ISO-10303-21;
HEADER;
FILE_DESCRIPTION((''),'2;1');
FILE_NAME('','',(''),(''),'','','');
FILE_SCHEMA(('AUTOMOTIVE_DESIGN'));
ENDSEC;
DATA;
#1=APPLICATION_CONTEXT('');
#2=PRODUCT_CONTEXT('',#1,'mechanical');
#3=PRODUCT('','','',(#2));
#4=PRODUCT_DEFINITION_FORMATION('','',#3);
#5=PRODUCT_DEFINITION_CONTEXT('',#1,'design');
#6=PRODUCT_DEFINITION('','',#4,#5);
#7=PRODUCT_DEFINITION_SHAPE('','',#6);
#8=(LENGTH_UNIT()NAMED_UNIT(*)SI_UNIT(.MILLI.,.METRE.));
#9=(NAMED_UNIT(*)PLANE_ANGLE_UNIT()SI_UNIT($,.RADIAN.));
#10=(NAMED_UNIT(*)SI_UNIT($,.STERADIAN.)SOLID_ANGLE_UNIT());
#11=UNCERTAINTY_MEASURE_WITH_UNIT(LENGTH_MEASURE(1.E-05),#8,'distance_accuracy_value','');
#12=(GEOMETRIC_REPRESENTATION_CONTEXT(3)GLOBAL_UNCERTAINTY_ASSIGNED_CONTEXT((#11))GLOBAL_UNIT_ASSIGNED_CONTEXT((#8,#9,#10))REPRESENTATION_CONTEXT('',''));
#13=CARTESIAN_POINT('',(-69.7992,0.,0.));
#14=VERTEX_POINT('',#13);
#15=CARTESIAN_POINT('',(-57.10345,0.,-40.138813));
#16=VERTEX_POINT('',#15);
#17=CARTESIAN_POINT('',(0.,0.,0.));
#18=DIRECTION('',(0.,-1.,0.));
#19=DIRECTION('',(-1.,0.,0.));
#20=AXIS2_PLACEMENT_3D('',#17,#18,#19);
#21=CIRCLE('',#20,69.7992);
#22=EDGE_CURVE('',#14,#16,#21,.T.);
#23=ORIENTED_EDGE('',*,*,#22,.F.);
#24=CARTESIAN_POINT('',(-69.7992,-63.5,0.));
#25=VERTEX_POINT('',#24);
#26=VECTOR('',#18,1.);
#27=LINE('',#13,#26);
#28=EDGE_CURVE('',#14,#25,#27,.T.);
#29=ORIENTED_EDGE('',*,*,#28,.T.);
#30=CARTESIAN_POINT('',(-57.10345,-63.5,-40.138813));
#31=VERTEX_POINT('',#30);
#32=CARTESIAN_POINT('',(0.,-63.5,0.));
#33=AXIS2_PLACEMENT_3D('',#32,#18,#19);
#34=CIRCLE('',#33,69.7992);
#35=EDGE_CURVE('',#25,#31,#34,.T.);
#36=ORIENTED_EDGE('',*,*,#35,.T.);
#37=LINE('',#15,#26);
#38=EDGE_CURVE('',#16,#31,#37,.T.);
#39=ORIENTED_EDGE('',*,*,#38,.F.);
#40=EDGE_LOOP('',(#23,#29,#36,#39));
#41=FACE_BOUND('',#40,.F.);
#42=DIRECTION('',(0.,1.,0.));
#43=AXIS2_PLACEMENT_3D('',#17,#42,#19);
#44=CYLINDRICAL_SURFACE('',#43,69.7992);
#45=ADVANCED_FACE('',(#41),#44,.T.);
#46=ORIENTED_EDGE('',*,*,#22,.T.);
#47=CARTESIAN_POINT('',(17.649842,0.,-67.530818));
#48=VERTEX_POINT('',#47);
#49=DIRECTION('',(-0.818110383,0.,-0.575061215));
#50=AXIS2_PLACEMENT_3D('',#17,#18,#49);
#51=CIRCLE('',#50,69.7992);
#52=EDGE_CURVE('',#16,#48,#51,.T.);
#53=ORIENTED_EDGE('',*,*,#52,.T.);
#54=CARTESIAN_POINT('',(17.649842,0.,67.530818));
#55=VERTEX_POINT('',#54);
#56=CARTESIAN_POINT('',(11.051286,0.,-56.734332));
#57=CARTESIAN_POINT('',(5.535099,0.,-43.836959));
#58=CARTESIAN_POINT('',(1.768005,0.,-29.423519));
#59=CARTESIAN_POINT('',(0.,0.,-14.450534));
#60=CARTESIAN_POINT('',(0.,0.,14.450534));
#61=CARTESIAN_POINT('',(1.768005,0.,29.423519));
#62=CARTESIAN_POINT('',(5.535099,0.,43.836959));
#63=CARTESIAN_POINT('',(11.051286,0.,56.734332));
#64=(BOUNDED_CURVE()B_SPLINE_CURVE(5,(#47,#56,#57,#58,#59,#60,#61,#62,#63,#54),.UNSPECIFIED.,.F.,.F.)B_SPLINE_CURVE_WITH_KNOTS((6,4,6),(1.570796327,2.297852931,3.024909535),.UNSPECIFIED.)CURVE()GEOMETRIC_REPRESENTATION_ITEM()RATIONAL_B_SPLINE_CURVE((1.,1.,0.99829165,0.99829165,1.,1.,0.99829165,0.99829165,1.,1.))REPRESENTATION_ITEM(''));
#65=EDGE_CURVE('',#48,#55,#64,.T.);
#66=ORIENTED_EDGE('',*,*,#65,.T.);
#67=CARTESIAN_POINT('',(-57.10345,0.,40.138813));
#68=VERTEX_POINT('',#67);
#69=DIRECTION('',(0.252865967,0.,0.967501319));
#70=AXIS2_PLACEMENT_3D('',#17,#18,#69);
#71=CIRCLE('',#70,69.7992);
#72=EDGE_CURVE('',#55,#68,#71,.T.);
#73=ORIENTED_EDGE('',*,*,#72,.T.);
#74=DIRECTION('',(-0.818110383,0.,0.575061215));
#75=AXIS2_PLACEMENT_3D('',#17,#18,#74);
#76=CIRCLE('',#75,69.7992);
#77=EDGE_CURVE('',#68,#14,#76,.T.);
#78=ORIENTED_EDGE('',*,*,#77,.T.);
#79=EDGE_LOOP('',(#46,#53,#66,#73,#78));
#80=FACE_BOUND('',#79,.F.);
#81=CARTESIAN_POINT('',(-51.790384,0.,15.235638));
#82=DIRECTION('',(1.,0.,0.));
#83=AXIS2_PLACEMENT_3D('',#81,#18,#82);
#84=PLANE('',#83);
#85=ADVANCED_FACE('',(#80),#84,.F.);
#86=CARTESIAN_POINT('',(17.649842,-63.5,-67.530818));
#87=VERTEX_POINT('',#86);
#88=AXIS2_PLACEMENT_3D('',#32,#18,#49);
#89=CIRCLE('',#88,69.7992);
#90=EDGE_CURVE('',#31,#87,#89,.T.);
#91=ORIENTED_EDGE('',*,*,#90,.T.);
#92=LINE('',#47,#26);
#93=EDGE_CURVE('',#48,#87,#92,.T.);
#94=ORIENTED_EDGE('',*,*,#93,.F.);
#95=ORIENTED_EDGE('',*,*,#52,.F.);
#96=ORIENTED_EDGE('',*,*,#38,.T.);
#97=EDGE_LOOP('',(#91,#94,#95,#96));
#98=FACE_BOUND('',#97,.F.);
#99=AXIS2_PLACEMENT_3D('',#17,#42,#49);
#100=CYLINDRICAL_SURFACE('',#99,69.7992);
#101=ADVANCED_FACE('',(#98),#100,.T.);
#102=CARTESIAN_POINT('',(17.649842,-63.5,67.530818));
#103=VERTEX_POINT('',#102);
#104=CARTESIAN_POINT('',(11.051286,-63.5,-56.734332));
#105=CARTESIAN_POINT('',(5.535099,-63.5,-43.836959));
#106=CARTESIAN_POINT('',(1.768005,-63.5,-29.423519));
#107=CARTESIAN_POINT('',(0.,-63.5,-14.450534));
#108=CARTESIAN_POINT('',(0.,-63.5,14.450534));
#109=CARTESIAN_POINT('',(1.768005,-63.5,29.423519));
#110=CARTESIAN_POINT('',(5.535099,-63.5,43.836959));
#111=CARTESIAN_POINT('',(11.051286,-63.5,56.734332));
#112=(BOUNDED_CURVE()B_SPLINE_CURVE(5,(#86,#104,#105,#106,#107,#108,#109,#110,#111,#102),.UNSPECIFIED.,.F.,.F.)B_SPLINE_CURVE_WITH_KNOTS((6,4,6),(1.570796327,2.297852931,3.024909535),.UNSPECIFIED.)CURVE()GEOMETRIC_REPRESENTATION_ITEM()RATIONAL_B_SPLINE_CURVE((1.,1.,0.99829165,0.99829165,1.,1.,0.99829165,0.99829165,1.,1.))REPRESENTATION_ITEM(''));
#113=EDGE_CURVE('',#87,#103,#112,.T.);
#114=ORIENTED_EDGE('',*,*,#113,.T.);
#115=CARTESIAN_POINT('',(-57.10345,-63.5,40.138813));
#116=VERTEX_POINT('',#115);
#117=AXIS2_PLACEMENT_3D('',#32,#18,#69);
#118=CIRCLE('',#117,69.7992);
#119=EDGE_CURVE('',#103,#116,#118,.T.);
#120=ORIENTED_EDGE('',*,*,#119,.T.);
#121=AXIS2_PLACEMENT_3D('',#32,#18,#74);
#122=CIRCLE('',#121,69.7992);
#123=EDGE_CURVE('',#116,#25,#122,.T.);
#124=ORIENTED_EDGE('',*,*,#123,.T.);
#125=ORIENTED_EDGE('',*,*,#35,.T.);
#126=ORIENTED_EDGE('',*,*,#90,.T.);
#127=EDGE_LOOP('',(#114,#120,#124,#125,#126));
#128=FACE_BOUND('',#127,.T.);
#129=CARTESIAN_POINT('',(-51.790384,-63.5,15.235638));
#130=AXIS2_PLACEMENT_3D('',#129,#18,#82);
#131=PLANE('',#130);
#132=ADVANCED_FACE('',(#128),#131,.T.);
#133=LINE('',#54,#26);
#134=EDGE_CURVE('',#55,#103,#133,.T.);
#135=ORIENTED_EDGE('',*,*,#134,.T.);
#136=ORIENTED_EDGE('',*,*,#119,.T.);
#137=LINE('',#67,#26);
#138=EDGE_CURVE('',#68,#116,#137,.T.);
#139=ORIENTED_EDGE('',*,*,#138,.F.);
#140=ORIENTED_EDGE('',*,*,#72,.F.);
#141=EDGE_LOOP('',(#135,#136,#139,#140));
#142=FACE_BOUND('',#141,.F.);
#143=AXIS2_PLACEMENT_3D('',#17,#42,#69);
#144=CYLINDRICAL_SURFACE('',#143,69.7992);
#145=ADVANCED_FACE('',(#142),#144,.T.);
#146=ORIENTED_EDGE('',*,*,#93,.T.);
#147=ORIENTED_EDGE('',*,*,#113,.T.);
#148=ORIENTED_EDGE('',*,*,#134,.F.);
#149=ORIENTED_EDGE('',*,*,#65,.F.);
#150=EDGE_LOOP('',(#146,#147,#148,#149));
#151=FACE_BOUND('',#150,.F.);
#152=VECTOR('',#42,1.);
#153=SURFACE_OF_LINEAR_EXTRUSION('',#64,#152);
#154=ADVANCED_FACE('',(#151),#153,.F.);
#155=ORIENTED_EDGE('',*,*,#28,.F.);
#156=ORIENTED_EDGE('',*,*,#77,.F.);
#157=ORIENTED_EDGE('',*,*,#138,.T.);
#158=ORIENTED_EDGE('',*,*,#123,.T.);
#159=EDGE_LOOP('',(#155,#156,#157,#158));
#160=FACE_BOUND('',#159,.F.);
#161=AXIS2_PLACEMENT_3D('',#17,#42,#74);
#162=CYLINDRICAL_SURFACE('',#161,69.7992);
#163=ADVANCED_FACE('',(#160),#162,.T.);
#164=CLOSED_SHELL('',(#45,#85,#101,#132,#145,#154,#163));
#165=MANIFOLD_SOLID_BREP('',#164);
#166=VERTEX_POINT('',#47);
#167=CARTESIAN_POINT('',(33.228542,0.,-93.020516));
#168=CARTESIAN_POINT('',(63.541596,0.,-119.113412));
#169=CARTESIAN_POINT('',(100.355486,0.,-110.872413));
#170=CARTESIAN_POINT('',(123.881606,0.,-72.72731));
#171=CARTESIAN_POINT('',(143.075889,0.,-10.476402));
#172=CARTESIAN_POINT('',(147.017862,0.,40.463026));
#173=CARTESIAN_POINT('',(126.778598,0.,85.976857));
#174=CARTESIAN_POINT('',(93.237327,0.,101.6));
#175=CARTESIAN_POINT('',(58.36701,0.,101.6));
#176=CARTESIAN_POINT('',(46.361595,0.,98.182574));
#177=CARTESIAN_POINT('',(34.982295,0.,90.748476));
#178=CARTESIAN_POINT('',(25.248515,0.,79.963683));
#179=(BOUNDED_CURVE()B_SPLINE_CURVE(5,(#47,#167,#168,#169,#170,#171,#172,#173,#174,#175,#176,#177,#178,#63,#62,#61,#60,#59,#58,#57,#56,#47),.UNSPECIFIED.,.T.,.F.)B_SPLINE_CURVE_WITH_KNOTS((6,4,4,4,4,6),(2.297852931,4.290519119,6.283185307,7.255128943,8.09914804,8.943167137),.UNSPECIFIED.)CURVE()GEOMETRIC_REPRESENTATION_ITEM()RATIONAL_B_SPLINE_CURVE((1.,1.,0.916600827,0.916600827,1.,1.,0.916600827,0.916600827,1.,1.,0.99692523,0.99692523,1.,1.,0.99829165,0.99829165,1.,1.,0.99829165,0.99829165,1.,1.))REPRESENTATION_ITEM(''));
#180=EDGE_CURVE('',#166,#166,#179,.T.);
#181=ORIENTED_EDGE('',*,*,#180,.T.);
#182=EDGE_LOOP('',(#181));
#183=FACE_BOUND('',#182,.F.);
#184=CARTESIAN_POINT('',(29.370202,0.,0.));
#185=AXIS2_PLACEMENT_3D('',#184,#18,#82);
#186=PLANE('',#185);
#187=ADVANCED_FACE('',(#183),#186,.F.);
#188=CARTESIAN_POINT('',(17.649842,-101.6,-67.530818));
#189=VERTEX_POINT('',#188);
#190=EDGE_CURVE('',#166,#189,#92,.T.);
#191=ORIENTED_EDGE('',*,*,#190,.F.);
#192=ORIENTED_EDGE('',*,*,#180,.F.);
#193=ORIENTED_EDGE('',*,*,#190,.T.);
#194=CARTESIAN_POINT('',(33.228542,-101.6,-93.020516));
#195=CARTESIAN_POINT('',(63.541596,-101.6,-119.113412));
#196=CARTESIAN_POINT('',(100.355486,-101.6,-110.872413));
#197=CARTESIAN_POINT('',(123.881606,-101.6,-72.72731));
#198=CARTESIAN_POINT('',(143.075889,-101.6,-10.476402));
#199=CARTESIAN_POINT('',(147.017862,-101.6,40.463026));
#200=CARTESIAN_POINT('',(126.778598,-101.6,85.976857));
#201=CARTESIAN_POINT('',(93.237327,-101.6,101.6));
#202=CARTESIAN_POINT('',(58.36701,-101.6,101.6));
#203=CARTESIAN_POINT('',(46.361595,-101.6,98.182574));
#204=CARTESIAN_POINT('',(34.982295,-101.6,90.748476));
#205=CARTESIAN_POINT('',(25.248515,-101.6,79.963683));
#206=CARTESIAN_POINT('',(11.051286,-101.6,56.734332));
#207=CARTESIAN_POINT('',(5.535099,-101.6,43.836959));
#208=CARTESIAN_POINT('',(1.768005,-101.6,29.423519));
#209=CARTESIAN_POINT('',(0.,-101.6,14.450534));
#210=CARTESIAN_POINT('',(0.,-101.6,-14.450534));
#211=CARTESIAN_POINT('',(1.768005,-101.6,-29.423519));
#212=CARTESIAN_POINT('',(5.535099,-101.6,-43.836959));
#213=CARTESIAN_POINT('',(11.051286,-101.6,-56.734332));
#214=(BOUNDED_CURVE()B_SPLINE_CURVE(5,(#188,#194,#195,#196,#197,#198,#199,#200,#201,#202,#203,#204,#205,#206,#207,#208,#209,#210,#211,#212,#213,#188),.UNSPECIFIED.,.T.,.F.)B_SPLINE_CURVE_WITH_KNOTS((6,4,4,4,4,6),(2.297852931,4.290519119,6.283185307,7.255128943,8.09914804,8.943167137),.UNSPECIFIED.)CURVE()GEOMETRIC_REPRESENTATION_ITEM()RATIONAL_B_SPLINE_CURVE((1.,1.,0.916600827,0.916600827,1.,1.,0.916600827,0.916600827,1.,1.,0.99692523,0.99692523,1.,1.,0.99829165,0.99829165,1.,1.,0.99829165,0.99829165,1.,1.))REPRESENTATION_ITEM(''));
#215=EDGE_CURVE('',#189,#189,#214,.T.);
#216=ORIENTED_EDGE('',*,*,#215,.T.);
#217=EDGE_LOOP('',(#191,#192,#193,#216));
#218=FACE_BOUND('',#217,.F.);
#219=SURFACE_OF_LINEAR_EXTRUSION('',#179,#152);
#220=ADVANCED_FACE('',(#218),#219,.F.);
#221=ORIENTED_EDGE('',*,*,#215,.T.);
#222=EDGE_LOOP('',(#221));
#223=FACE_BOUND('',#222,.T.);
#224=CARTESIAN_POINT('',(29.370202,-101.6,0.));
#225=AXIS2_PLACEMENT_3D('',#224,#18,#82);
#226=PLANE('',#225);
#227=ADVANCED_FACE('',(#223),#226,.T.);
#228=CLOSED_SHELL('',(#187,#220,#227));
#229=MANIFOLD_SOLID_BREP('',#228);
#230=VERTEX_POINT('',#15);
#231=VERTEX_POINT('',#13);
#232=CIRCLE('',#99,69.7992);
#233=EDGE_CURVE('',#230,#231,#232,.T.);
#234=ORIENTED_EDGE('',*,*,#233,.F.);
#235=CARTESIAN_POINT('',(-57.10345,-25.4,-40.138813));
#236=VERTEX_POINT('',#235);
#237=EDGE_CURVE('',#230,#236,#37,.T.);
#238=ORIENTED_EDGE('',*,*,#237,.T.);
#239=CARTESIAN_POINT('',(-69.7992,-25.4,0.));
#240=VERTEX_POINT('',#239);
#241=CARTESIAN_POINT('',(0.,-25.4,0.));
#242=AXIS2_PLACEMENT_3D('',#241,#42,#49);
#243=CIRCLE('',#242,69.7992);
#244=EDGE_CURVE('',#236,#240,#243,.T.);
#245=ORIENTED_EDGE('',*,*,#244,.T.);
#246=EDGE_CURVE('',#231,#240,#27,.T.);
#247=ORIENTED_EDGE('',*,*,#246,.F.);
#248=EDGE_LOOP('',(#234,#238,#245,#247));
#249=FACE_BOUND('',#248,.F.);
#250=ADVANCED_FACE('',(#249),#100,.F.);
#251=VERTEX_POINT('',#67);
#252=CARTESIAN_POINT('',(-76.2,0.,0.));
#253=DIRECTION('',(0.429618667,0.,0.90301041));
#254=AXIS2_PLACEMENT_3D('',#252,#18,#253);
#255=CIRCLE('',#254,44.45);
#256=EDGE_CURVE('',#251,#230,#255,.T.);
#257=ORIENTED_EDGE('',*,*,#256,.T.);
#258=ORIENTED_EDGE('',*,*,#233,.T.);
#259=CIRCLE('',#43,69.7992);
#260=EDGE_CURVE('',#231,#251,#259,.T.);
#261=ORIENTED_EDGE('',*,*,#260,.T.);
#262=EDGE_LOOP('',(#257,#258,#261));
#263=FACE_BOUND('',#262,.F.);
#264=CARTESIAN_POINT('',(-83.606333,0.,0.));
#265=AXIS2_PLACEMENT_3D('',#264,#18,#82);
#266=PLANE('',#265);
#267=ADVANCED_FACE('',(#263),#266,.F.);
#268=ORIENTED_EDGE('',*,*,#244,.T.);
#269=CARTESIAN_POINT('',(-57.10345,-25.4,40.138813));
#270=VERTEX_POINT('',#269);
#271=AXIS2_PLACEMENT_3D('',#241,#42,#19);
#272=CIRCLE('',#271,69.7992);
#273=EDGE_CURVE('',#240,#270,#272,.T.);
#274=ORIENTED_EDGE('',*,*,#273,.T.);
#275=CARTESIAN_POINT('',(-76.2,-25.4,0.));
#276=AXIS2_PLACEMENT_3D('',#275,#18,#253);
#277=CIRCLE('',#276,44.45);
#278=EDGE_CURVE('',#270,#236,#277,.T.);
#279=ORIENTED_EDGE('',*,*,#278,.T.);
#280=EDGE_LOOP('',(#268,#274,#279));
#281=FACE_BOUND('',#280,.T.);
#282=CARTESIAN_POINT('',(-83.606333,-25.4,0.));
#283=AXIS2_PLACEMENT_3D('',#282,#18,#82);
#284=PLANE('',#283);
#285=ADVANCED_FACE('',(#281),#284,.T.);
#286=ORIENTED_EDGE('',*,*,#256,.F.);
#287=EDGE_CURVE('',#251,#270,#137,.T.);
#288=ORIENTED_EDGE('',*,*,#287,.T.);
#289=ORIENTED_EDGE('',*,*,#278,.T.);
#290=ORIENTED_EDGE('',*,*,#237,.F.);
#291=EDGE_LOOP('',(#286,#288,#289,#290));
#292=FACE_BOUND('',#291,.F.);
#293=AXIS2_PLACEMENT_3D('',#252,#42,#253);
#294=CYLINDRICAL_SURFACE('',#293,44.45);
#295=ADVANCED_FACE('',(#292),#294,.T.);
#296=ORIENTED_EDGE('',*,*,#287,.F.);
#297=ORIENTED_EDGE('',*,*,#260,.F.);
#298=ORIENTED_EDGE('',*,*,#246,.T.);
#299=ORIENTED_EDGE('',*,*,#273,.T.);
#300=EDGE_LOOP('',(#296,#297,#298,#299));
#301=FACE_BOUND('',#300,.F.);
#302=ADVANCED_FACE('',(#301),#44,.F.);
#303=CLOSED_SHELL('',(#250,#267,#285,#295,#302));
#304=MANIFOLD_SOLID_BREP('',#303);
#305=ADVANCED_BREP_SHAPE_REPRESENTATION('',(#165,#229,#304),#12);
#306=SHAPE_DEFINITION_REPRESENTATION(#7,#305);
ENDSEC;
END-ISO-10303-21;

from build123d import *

# Parameters (mm, degrees)
F1_DEPTH = 25.4
F2_DEPTH = 63.5
F3_DEPTH = 101.6


with BuildPart() as f1:
    # F0 (on Front) → F1 (new body)
    with BuildSketch(Plane.XZ):
        with BuildLine():
            ThreePointArc((-57.1034502667, -40.1388127413), (-66.5496185808, -21.0493844897), (-69.7992, 0))
            ThreePointArc((-69.7992, 0), (-66.5496185808, 21.0493844897), (-57.1034502667, 40.1388127413))
            ThreePointArc((-57.1034502667, 40.1388127413), (-120.65, 0), (-57.1034502667, -40.1388127413))
        make_face()
    extrude(amount=F1_DEPTH)


with BuildPart() as f2:
    # F0 (on Front) → F2 (new body)
    with BuildSketch(Plane.XZ):
        with BuildLine():
            Line((-69.7992, 0), (-31.75, 0))
            ThreePointArc((-31.75, 0), (-38.6191263031, 23.7377427776), (-57.1034502667, 40.1388127413))
            ThreePointArc((-57.1034502667, 40.1388127413), (-66.5496185808, 21.0493844897), (-69.7992, 0))
        make_face()
        with BuildLine():
            Line((-31.75, 0), (0, 0))
            add(Edge.make_bspline(
                [(17.6498422173, 67.5308180785), (0, 38.6523396662), (0, 0)],
                knots=[0.8437397225, 0.8437397225, 0.8437397225, 1.5707963268, 1.5707963268, 1.5707963268], degree=2, weights=[1, 0.9346480709, 1]))
            ThreePointArc((17.6498422173, 67.5308180785), (-24.0151470145, 65.5377832591), (-57.1034502667, 40.1388127413))
            ThreePointArc((-57.1034502667, 40.1388127413), (-38.6191263031, 23.7377427776), (-31.75, 0))
        make_face()
        with BuildLine():
            add(Edge.make_bspline(
                [(0, 0), (0, -38.6523396662), (17.6498422173, -67.5308180785)],
                knots=[1.5707963268, 1.5707963268, 1.5707963268, 2.2978529311, 2.2978529311, 2.2978529311], degree=2, weights=[1, 0.9346480709, 1]))
            Line((0, 0), (-31.75, 0))
            ThreePointArc((-31.75, 0), (-38.6191263031, -23.7377427776), (-57.1034502667, -40.1388127413))
            ThreePointArc((-57.1034502667, -40.1388127413), (-24.0151470145, -65.5377832591), (17.6498422173, -67.5308180785))
        make_face()
        with BuildLine():
            ThreePointArc((-57.1034502667, -40.1388127413), (-38.6191263031, -23.7377427776), (-31.75, 0))
            Line((-31.75, 0), (-69.7992, 0))
            ThreePointArc((-69.7992, 0), (-66.5496185808, -21.0493844897), (-57.1034502667, -40.1388127413))
        make_face()
    extrude(amount=F2_DEPTH)


with BuildPart() as f3:
    # F0 (on Front) → F3 (new body)
    with BuildSketch(Plane.XZ):
        with BuildLine():
            add(Edge.make_bspline(
                [(17.6498422173, 67.5308180785), (0, 38.6523396662), (0, 0)],
                knots=[0.8437397225, 0.8437397225, 0.8437397225, 1.5707963268, 1.5707963268, 1.5707963268], degree=2, weights=[1, 0.9346480709, 1]))
            add(Edge.make_bspline(
                [(0, 0), (0, -38.6523396662), (17.6498422173, -67.5308180785)],
                knots=[1.5707963268, 1.5707963268, 1.5707963268, 2.2978529311, 2.2978529311, 2.2978529311], degree=2, weights=[1, 0.9346480709, 1]))
            ThreePointArc((17.6498422173, -67.5308180785), (55.2443353998, -42.6613610528), (69.7992, 0))
            ThreePointArc((69.7992, 0), (55.2443353998, 42.6613610528), (17.6498422173, 67.5308180785))
        make_face()
        with BuildLine():
            add(Edge.make_bspline(
                [(69.7992, 101.6), (38.4721195133, 101.6), (17.6498422173, 67.5308180785)],
                knots=[0, 0, 0, 0.8437397225, 0.8437397225, 0.8437397225], degree=2, weights=[1, 0.912324889, 1]))
            ThreePointArc((17.6498422173, 67.5308180785), (55.2443353998, 42.6613610528), (69.7992, 0))
            Line((69.7992, 0), (69.7992, 101.6))
        make_face()
        with BuildLine():
            ThreePointArc((69.7992, 0), (55.2443353998, -42.6613610528), (17.6498422173, -67.5308180785))
            add(Edge.make_bspline(
                [(17.6498422173, -67.5308180785), (89.3242584583, -184.803712456), (133.4787473943, -41.601856228), (177.6332363303, 101.6), (69.7992, 101.6)],
                knots=[2.2978529311, 2.2978529311, 2.2978529311, 4.2905191191, 4.2905191191, 6.2831853072, 6.2831853072, 6.2831853072], degree=2, weights=[1, 0.5433842614, 1, 0.5433842614, 1]))
            Line((69.7992, 101.6), (69.7992, 0))
        make_face()
    extrude(amount=F3_DEPTH)


solid = Compound([f1.part, f2.part, f3.part])
